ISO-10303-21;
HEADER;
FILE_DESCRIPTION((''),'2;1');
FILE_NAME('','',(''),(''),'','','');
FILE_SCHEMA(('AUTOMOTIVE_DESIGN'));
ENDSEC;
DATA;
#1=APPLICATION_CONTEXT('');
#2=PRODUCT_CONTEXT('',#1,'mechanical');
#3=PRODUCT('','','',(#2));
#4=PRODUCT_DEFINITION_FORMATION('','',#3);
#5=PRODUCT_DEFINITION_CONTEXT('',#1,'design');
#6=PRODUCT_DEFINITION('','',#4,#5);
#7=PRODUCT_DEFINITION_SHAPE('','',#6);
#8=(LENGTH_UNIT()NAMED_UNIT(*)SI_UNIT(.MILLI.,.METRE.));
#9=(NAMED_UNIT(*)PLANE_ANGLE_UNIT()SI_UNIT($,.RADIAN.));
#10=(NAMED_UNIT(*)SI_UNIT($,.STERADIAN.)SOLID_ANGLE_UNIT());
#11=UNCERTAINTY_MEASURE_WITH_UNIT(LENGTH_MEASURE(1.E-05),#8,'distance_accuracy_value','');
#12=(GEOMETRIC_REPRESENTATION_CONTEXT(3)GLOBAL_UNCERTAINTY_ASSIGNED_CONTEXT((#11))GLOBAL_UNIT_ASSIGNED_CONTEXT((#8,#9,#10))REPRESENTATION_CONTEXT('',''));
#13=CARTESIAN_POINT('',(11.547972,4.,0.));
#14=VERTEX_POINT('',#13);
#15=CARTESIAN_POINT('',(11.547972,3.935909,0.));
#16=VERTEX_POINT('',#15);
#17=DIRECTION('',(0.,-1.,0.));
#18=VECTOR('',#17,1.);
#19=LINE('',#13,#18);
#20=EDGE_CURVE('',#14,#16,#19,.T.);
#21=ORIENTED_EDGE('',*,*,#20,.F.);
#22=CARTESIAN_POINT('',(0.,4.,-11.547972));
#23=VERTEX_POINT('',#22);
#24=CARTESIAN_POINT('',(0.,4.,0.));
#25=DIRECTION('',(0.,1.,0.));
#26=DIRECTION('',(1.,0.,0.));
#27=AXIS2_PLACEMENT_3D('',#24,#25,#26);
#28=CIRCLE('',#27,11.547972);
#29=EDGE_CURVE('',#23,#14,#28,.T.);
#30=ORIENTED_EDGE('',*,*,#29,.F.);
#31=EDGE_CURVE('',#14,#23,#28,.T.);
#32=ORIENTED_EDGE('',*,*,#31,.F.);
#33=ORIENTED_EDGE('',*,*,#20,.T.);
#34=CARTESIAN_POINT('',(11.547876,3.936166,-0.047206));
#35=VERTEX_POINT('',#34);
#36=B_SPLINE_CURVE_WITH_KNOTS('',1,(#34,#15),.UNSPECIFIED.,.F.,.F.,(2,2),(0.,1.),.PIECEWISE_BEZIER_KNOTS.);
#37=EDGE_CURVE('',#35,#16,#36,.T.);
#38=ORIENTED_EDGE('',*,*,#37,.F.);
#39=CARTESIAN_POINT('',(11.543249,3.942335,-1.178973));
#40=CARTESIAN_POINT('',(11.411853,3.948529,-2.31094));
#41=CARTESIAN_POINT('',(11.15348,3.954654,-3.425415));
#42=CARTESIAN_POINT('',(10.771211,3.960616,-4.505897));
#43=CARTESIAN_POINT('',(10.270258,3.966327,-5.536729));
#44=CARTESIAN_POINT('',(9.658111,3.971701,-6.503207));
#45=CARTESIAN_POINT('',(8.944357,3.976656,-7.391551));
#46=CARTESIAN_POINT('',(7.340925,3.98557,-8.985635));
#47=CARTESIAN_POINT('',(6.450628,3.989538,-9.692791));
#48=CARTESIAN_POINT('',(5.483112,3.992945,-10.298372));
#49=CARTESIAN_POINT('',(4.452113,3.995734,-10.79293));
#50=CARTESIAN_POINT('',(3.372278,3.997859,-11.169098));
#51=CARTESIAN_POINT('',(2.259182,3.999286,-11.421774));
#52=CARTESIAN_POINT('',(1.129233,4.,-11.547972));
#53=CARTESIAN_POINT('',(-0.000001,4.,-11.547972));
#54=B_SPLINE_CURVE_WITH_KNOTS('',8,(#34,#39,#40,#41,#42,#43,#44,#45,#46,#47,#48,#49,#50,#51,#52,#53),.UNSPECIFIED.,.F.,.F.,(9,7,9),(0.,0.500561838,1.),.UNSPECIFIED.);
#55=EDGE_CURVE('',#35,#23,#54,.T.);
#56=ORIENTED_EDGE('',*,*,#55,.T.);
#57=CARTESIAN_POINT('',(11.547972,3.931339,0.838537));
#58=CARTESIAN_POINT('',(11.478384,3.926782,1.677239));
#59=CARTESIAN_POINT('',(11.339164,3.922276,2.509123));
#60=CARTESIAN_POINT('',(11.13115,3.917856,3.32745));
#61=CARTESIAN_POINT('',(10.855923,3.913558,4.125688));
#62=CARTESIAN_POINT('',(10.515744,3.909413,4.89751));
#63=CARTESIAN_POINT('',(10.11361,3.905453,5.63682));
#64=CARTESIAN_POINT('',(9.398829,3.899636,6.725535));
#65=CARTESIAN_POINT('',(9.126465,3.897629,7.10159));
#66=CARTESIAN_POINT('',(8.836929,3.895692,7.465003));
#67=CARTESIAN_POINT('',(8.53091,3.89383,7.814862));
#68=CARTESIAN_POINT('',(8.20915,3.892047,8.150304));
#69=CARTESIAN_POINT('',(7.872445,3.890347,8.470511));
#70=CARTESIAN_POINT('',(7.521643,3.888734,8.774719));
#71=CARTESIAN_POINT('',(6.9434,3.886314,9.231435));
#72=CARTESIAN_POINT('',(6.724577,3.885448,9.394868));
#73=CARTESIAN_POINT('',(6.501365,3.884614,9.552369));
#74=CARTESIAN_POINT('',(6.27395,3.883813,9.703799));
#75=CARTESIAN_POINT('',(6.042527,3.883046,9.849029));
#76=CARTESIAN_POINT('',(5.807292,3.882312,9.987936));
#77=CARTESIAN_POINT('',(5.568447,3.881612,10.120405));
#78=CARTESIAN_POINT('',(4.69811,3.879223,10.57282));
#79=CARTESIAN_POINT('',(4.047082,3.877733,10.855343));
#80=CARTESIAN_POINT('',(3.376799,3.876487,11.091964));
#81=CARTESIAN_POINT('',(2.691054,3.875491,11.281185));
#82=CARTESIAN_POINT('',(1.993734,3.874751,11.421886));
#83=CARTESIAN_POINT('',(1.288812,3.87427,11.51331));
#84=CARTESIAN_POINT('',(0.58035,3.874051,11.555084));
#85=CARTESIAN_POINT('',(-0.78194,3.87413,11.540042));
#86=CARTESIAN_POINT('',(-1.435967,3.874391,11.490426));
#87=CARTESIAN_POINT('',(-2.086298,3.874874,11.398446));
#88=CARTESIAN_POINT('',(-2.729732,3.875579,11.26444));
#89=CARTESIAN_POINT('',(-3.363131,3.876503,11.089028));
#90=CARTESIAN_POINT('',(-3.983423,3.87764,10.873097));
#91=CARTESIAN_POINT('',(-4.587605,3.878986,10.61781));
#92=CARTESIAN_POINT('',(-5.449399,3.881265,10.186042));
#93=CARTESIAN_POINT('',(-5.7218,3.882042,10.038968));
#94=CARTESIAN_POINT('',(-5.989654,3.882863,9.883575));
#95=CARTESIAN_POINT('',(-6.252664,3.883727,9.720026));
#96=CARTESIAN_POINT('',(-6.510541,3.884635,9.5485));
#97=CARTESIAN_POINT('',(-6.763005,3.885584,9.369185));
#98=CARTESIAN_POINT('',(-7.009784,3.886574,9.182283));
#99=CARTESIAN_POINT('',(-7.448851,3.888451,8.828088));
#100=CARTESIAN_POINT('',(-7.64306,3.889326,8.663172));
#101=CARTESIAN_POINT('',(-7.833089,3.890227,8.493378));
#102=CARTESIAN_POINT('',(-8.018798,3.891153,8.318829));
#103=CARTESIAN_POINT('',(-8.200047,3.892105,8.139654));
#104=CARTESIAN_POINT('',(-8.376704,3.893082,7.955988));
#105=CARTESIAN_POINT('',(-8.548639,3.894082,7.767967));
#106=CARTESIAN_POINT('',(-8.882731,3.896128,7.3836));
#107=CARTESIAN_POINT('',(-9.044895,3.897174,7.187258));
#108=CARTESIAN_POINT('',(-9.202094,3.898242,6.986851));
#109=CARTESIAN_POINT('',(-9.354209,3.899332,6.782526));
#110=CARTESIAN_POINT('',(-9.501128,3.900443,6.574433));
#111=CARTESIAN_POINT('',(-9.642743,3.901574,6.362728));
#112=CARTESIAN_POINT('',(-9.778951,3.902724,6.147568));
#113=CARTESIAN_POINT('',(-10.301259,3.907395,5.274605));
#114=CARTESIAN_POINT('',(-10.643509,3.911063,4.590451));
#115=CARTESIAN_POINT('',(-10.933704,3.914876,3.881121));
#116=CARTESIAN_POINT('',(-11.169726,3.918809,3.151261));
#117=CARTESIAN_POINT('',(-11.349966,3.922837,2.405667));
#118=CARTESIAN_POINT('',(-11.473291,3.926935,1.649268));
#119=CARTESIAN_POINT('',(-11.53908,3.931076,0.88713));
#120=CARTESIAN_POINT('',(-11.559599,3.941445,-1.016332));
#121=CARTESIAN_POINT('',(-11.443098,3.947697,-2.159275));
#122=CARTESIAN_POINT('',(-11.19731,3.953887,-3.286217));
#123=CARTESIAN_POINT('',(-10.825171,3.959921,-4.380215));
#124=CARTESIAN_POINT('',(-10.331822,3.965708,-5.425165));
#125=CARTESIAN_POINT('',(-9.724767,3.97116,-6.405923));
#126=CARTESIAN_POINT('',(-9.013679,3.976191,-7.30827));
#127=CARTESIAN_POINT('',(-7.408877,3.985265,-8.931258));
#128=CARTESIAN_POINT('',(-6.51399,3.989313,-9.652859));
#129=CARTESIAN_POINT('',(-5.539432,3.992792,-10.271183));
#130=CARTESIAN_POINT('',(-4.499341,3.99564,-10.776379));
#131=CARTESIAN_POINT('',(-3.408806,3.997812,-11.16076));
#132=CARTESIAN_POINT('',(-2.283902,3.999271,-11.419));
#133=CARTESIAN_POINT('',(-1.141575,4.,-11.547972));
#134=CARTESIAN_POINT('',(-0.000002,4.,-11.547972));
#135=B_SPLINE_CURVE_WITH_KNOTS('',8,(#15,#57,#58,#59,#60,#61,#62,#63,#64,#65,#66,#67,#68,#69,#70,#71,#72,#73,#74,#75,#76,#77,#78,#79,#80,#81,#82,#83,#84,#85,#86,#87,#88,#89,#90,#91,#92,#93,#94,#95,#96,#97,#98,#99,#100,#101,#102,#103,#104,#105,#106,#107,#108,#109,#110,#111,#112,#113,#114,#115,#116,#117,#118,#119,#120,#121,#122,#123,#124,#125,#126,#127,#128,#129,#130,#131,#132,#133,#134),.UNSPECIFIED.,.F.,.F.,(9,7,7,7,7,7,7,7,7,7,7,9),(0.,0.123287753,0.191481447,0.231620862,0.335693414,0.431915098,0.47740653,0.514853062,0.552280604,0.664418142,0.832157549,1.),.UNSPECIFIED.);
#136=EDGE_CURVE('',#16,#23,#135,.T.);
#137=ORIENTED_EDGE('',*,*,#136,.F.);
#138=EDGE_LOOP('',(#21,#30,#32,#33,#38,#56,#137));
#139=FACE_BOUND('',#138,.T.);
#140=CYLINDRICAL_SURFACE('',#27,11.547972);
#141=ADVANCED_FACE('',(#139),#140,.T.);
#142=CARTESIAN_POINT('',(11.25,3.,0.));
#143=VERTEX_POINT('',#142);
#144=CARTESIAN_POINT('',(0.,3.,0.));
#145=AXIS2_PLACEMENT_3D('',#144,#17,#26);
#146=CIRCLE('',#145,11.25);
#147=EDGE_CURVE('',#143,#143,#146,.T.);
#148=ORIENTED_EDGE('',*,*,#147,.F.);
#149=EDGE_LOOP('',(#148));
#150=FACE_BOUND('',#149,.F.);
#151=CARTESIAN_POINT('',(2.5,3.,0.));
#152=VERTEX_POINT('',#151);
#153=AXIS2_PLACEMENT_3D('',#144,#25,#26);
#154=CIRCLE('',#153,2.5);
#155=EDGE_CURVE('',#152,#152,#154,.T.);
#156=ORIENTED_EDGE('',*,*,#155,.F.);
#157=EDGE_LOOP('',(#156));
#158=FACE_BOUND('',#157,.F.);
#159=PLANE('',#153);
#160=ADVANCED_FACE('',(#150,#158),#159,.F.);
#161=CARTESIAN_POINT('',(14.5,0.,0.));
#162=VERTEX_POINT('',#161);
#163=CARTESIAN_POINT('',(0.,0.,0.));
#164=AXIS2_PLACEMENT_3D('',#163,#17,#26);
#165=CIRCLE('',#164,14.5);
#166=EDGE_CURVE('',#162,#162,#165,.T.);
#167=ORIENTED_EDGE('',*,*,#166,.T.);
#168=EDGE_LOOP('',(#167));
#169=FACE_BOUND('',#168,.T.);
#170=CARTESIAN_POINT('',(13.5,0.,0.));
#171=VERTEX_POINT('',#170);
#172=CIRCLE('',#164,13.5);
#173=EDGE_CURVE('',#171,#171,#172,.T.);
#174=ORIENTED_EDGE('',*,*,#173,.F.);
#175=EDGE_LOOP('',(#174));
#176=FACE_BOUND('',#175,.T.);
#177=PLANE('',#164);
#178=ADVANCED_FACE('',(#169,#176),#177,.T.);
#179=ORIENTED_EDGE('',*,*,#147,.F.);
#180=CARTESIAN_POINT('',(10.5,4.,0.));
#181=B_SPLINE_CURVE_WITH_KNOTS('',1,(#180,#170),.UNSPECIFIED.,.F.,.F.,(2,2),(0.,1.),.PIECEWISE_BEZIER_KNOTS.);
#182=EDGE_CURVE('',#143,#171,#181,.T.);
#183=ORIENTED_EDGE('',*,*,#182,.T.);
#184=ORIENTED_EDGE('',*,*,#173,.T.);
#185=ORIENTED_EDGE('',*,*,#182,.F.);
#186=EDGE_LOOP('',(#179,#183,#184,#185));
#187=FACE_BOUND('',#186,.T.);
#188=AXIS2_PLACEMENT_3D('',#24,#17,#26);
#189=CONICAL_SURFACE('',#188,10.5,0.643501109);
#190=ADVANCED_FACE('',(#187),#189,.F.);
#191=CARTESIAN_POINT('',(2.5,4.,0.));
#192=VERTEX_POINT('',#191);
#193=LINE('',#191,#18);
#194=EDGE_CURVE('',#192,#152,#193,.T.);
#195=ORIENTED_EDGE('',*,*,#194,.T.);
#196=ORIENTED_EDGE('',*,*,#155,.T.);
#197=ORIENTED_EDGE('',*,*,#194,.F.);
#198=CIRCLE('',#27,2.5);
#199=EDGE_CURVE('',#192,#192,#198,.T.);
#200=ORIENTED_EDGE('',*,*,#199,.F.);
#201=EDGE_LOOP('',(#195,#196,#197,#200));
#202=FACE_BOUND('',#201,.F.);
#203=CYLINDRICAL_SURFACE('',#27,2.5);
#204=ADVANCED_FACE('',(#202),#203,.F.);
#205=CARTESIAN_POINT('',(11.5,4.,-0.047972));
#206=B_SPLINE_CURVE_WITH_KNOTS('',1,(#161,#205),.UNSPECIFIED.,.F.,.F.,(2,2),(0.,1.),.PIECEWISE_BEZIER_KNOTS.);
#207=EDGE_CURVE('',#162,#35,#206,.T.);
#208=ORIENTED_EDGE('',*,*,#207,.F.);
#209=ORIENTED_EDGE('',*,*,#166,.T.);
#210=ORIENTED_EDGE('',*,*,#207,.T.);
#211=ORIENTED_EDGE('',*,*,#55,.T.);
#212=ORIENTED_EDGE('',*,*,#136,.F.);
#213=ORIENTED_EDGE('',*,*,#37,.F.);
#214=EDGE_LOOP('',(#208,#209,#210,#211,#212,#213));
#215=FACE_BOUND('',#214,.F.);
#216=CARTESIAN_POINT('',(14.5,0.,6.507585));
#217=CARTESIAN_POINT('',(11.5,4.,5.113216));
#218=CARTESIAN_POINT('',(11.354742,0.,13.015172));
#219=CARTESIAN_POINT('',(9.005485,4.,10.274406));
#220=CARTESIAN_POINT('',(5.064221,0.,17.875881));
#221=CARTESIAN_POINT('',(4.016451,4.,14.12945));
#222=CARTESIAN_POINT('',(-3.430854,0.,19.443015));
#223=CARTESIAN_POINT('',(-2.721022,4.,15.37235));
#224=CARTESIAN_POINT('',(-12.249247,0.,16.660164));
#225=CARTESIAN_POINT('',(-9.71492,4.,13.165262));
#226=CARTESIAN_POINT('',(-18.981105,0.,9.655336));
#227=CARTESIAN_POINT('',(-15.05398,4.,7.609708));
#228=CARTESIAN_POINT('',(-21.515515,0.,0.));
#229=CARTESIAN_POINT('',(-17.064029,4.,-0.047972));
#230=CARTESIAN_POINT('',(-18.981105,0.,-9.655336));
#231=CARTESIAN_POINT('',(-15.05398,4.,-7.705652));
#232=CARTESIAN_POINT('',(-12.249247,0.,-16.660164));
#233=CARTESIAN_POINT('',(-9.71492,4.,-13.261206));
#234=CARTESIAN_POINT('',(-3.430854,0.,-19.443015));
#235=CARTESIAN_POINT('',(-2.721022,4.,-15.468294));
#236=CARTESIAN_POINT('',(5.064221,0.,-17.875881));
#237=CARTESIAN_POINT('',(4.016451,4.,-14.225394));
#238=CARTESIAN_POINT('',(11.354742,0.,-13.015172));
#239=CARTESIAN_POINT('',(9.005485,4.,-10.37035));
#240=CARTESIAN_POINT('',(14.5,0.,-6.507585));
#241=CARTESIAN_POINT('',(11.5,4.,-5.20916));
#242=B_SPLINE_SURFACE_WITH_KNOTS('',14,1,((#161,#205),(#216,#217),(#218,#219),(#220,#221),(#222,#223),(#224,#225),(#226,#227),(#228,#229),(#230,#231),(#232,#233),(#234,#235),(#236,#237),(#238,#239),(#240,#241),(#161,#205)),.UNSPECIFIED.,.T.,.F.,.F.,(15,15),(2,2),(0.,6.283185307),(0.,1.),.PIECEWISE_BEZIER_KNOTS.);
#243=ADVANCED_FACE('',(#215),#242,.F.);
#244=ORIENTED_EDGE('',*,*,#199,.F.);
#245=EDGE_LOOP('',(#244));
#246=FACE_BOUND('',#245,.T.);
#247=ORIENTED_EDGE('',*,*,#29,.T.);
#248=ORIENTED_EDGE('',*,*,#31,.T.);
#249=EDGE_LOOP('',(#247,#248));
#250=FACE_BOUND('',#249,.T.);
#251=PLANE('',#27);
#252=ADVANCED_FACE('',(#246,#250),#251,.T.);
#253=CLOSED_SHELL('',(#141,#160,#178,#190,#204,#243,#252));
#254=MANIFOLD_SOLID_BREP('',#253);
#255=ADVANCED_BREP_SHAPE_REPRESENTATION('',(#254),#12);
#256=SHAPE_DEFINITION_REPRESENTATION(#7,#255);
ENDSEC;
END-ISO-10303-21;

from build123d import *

# Parameters (mm, degrees)
SKETCH_R     = 14.5
SKETCH001_R  = 11.5
SKETCH003_R  = 10.5
SKETCH002_R  = 13.5
SKETCH004_R  = 11.547972
PAD_DEPTH    = 1
SKETCH005_R  = 2.5
POCKET_DEPTH = 5


with BuildPart() as part:
    # Sketch → AdditiveLoft section 0
    with BuildSketch(Plane.XZ):
        Circle(SKETCH_R)
    # Sketch001 (on DatumPlane) → AdditiveLoft section 1
    with BuildSketch(Plane.XZ.offset(-4)):
        with Locations((0, -0.047972)):
            Circle(SKETCH001_R)
    loft()

    # Sketch003 (on Face3 of AdditiveLoft) → SubtractiveLoft section 0
    with BuildSketch(Plane(origin=(0, 4, 0), x_dir=(1, 0, 0), z_dir=(0, 1, 0))):
        Circle(SKETCH003_R)
    # Sketch002 (on Face1 of AdditiveLoft) → SubtractiveLoft section 1
    with BuildSketch(Plane.XZ):
        Circle(SKETCH002_R)
    loft(mode=Mode.SUBTRACT)

    # Sketch004 (on Face4 of SubtractiveLoft) → Pad (new body)
    with BuildSketch(Plane(origin=(0, 4, 0), x_dir=(1, 0, 0), z_dir=(0, 1, 0))):
        Circle(SKETCH004_R)
    extrude(amount=-PAD_DEPTH)

    # Sketch005 (on Face9 of Pad) → Pocket (cut)
    with BuildSketch(Plane(origin=(0, 4, 0), x_dir=(1, 0, 0), z_dir=(0, 1, 0))):
        Circle(SKETCH005_R)
    extrude(amount=-POCKET_DEPTH, mode=Mode.SUBTRACT)


solid = part.part
